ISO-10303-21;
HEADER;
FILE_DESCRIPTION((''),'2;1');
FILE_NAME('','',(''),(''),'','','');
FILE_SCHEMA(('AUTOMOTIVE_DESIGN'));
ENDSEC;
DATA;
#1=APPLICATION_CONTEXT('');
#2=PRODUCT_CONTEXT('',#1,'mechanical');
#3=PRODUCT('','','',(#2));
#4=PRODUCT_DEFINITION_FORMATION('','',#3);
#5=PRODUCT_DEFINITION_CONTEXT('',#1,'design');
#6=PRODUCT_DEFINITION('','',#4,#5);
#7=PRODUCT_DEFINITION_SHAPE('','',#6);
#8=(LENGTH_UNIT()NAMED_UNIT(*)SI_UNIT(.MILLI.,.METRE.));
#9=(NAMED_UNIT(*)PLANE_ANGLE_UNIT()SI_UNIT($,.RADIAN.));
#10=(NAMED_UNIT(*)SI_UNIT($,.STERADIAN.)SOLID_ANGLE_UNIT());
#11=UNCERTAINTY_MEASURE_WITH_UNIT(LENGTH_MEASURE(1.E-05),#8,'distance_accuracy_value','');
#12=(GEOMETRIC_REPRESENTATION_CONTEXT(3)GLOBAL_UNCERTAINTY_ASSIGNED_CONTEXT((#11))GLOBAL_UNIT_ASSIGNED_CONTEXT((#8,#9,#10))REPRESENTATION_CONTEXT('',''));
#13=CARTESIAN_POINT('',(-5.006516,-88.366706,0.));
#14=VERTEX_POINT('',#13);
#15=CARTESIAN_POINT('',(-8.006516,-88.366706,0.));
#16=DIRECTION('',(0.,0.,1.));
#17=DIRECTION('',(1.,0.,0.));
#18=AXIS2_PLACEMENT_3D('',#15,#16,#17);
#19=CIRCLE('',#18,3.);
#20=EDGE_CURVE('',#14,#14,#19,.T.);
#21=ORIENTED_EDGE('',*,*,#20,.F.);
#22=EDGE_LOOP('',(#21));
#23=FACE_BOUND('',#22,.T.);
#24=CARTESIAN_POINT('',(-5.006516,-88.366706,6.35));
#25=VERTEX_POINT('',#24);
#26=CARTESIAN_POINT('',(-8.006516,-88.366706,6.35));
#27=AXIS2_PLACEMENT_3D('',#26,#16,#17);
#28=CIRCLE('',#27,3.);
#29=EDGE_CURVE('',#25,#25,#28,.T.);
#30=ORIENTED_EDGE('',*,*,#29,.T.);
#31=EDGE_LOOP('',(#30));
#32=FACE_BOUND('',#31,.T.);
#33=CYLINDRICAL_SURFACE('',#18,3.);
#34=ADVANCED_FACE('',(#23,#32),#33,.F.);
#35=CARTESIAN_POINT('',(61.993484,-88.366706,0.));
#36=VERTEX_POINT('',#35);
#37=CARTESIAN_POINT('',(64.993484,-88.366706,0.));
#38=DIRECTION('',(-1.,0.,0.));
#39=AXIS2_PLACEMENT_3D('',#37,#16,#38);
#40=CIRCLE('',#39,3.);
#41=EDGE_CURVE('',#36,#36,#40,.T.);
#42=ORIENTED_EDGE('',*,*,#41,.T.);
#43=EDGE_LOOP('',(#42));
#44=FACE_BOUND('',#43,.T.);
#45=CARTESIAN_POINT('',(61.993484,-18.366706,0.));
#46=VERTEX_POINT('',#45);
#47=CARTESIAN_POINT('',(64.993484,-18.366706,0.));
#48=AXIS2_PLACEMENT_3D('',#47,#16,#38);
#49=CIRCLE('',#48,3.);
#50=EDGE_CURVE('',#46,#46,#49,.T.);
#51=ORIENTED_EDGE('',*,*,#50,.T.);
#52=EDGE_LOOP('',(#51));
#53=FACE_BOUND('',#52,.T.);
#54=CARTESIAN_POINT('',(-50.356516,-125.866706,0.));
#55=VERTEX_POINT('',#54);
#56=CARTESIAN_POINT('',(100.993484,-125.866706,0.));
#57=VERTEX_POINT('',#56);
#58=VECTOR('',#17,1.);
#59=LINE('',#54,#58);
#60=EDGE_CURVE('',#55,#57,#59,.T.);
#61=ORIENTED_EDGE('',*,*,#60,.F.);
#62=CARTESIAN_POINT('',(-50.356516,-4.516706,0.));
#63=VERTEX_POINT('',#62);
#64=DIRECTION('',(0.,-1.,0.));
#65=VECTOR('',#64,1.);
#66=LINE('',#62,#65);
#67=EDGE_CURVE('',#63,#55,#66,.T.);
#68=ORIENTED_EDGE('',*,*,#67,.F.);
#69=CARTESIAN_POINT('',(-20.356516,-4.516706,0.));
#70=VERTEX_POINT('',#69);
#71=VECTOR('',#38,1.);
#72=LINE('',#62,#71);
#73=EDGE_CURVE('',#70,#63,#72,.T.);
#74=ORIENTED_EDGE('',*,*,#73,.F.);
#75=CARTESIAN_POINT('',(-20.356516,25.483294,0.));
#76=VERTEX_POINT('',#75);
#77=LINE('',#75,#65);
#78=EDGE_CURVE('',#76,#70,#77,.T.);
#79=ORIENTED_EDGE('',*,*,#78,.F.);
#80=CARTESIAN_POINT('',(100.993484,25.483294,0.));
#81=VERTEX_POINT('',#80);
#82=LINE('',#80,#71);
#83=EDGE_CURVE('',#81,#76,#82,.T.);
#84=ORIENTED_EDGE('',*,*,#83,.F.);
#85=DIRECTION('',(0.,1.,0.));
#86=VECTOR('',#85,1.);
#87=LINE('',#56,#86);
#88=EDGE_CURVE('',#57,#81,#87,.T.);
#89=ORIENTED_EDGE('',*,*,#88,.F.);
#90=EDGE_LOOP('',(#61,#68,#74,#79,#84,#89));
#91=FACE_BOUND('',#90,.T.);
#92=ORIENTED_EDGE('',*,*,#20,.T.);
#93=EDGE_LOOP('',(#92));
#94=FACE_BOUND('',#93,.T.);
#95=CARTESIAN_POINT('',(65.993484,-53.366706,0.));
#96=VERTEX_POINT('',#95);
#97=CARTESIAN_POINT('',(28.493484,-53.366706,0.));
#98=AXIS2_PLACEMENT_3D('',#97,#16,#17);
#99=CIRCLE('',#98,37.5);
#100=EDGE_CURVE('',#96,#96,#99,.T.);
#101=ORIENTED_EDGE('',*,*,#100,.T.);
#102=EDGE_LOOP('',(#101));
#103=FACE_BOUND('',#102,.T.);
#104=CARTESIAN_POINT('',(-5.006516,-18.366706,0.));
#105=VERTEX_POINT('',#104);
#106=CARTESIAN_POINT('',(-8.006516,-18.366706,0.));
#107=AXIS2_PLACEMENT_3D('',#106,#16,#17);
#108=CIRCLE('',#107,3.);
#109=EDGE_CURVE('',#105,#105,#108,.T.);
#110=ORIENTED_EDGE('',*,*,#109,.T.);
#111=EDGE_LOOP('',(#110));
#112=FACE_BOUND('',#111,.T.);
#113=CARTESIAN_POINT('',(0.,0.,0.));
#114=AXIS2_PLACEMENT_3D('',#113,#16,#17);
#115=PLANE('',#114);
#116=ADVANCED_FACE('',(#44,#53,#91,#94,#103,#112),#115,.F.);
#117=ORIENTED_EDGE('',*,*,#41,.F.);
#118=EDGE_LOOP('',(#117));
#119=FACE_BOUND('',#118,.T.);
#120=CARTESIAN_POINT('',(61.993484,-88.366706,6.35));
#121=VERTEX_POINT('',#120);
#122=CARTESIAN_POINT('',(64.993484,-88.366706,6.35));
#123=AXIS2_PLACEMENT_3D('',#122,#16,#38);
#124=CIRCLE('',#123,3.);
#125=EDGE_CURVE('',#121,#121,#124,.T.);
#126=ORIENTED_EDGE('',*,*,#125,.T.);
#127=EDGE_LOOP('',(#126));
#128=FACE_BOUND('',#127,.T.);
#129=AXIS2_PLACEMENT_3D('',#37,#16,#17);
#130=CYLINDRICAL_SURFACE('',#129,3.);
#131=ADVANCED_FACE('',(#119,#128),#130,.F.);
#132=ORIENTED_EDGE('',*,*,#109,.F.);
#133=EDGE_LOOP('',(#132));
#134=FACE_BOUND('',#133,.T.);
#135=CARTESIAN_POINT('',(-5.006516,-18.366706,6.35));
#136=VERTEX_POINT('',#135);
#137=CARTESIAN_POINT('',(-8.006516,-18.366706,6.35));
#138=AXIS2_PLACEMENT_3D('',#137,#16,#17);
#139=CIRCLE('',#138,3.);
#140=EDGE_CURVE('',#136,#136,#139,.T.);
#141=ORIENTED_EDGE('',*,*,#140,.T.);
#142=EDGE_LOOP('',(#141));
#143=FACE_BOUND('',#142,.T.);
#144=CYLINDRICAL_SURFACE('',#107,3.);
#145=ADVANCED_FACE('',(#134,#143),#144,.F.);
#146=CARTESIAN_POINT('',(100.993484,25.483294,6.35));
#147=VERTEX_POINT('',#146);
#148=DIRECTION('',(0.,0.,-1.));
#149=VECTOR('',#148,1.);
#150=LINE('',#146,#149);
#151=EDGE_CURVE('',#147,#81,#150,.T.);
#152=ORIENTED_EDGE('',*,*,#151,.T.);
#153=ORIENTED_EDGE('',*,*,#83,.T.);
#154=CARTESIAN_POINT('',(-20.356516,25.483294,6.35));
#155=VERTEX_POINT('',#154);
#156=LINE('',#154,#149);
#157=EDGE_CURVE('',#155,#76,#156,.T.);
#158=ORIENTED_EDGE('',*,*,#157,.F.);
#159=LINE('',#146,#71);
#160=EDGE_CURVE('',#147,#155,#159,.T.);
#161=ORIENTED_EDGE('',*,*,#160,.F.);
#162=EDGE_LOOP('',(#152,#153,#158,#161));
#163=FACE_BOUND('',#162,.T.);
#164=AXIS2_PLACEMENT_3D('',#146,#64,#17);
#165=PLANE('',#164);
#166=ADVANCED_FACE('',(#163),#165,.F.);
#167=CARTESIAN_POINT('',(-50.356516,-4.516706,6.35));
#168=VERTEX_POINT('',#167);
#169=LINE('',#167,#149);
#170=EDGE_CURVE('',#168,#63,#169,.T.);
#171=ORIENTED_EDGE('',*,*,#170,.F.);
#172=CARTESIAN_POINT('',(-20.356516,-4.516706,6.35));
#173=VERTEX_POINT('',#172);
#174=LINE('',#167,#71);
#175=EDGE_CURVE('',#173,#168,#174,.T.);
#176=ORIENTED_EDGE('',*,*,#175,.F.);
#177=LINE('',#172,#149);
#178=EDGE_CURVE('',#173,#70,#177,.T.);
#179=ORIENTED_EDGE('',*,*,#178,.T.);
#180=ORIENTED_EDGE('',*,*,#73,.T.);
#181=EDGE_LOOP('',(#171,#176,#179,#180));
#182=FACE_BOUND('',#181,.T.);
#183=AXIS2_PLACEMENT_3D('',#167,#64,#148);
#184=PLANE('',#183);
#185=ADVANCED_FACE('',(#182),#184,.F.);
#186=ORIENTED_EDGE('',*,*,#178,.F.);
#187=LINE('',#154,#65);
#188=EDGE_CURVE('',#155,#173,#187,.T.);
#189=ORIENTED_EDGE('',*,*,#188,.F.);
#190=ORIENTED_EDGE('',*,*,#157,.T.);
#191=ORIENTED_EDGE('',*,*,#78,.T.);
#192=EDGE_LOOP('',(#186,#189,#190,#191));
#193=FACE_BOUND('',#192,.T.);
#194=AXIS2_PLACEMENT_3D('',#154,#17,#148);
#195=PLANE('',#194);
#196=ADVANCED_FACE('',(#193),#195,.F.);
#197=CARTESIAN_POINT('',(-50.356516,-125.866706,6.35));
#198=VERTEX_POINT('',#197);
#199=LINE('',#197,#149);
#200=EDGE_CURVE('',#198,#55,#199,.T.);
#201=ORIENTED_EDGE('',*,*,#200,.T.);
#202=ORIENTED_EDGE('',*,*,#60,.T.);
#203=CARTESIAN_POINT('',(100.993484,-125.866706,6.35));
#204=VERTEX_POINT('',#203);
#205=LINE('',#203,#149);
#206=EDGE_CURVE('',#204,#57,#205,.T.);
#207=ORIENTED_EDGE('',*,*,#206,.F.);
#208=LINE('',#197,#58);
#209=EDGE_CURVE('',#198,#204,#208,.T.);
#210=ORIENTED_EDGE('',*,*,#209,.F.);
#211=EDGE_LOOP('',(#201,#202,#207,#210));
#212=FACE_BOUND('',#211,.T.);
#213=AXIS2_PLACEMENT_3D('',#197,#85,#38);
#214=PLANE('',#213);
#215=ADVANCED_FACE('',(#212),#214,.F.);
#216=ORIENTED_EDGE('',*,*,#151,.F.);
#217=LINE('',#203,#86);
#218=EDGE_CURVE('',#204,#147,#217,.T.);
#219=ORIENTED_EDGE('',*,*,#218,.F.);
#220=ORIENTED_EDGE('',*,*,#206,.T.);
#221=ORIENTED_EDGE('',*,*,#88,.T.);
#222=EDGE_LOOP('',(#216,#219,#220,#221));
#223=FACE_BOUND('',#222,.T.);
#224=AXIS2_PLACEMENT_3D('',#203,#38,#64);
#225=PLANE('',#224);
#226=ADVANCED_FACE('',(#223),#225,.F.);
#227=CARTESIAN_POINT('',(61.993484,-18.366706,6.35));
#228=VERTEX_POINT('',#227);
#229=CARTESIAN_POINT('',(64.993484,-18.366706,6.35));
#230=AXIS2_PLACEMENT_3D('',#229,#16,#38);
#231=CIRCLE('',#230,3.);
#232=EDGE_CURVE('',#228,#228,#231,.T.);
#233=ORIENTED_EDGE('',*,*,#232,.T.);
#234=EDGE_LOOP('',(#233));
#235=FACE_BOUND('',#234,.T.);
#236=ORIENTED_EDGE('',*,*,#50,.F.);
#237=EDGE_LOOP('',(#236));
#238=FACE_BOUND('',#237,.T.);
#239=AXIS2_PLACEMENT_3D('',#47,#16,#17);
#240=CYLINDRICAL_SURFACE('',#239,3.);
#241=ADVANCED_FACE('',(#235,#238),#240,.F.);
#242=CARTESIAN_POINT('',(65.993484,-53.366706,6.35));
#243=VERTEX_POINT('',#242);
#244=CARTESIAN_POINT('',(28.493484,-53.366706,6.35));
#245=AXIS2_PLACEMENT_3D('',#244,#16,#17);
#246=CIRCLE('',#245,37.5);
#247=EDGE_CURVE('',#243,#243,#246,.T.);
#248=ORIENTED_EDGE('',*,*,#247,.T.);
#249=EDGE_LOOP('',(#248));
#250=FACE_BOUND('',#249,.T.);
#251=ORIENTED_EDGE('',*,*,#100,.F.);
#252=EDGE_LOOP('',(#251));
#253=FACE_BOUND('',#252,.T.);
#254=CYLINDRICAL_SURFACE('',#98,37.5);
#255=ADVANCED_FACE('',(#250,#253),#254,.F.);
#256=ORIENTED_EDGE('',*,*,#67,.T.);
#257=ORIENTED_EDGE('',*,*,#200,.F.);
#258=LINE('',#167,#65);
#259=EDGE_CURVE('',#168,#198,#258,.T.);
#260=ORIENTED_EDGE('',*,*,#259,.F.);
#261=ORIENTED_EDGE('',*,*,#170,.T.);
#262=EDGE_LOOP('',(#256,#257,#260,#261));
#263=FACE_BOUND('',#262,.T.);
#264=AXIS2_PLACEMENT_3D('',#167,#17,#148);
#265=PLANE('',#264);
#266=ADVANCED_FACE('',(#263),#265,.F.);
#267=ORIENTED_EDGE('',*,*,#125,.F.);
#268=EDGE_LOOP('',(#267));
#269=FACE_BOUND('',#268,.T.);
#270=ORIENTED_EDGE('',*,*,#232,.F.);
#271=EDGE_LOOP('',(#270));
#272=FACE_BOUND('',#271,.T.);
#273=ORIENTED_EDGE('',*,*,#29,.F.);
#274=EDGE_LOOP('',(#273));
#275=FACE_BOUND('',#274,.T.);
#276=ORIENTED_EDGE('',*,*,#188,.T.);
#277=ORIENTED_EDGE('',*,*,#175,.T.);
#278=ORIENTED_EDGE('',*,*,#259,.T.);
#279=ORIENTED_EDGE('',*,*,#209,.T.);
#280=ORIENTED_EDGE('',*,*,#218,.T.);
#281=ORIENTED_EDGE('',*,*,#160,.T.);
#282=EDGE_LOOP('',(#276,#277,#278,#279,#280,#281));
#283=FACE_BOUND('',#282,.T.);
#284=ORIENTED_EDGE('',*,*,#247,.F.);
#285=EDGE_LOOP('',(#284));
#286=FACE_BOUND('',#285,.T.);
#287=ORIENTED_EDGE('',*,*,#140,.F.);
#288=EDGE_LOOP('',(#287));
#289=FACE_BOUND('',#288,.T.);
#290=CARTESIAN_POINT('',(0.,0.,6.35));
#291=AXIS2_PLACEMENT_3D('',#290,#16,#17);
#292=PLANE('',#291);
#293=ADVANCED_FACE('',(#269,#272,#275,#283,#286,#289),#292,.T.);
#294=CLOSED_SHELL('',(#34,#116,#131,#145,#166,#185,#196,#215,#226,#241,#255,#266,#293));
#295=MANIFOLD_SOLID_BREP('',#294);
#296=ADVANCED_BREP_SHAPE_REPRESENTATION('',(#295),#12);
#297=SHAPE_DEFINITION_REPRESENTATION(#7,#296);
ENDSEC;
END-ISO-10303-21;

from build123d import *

# Parameters (mm, degrees)
SALIENTE_EXTRUIR1_DEPTH = 6.35
CROQUIS2_R              = 37.5
CROQUIS2_R_2            = 3
CORTAR_EXTRUIR1_DEPTH   = 6.35


with BuildPart() as part:
    # Croquis1 → Saliente-Extruir1 (new body)
    with BuildSketch(Plane.XY):
        Polygon((-50.356515977, -4.516705607), (-50.356515977, -125.866705607), (100.993484023, -125.866705607), (100.993484023, 25.483294393), (-20.356515977, 25.483294393), (-20.356515977, -4.516705607), align=None)
    extrude(amount=SALIENTE_EXTRUIR1_DEPTH)

    # Croquis2 → Cortar-Extruir1 (cut)
    with BuildSketch(Plane.XY.offset(6.35)):
        with Locations((28.493484023, -53.366705607)):
            Circle(CROQUIS2_R)
        with Locations((-8.006515977, -18.366705607)):
            Circle(CROQUIS2_R_2)
        with Locations((-8.006515977, -88.366705607)):
            Circle(CROQUIS2_R_2)
        with Locations(Location((64.993484023, -18.366705607, 0), (0, 0, 180))):
            Circle(CROQUIS2_R_2)
        with Locations(Location((64.993484023, -88.366705607, 0), (0, 0, 180))):
            Circle(CROQUIS2_R_2)
    extrude(amount=-CORTAR_EXTRUIR1_DEPTH, mode=Mode.SUBTRACT)


solid = part.part
